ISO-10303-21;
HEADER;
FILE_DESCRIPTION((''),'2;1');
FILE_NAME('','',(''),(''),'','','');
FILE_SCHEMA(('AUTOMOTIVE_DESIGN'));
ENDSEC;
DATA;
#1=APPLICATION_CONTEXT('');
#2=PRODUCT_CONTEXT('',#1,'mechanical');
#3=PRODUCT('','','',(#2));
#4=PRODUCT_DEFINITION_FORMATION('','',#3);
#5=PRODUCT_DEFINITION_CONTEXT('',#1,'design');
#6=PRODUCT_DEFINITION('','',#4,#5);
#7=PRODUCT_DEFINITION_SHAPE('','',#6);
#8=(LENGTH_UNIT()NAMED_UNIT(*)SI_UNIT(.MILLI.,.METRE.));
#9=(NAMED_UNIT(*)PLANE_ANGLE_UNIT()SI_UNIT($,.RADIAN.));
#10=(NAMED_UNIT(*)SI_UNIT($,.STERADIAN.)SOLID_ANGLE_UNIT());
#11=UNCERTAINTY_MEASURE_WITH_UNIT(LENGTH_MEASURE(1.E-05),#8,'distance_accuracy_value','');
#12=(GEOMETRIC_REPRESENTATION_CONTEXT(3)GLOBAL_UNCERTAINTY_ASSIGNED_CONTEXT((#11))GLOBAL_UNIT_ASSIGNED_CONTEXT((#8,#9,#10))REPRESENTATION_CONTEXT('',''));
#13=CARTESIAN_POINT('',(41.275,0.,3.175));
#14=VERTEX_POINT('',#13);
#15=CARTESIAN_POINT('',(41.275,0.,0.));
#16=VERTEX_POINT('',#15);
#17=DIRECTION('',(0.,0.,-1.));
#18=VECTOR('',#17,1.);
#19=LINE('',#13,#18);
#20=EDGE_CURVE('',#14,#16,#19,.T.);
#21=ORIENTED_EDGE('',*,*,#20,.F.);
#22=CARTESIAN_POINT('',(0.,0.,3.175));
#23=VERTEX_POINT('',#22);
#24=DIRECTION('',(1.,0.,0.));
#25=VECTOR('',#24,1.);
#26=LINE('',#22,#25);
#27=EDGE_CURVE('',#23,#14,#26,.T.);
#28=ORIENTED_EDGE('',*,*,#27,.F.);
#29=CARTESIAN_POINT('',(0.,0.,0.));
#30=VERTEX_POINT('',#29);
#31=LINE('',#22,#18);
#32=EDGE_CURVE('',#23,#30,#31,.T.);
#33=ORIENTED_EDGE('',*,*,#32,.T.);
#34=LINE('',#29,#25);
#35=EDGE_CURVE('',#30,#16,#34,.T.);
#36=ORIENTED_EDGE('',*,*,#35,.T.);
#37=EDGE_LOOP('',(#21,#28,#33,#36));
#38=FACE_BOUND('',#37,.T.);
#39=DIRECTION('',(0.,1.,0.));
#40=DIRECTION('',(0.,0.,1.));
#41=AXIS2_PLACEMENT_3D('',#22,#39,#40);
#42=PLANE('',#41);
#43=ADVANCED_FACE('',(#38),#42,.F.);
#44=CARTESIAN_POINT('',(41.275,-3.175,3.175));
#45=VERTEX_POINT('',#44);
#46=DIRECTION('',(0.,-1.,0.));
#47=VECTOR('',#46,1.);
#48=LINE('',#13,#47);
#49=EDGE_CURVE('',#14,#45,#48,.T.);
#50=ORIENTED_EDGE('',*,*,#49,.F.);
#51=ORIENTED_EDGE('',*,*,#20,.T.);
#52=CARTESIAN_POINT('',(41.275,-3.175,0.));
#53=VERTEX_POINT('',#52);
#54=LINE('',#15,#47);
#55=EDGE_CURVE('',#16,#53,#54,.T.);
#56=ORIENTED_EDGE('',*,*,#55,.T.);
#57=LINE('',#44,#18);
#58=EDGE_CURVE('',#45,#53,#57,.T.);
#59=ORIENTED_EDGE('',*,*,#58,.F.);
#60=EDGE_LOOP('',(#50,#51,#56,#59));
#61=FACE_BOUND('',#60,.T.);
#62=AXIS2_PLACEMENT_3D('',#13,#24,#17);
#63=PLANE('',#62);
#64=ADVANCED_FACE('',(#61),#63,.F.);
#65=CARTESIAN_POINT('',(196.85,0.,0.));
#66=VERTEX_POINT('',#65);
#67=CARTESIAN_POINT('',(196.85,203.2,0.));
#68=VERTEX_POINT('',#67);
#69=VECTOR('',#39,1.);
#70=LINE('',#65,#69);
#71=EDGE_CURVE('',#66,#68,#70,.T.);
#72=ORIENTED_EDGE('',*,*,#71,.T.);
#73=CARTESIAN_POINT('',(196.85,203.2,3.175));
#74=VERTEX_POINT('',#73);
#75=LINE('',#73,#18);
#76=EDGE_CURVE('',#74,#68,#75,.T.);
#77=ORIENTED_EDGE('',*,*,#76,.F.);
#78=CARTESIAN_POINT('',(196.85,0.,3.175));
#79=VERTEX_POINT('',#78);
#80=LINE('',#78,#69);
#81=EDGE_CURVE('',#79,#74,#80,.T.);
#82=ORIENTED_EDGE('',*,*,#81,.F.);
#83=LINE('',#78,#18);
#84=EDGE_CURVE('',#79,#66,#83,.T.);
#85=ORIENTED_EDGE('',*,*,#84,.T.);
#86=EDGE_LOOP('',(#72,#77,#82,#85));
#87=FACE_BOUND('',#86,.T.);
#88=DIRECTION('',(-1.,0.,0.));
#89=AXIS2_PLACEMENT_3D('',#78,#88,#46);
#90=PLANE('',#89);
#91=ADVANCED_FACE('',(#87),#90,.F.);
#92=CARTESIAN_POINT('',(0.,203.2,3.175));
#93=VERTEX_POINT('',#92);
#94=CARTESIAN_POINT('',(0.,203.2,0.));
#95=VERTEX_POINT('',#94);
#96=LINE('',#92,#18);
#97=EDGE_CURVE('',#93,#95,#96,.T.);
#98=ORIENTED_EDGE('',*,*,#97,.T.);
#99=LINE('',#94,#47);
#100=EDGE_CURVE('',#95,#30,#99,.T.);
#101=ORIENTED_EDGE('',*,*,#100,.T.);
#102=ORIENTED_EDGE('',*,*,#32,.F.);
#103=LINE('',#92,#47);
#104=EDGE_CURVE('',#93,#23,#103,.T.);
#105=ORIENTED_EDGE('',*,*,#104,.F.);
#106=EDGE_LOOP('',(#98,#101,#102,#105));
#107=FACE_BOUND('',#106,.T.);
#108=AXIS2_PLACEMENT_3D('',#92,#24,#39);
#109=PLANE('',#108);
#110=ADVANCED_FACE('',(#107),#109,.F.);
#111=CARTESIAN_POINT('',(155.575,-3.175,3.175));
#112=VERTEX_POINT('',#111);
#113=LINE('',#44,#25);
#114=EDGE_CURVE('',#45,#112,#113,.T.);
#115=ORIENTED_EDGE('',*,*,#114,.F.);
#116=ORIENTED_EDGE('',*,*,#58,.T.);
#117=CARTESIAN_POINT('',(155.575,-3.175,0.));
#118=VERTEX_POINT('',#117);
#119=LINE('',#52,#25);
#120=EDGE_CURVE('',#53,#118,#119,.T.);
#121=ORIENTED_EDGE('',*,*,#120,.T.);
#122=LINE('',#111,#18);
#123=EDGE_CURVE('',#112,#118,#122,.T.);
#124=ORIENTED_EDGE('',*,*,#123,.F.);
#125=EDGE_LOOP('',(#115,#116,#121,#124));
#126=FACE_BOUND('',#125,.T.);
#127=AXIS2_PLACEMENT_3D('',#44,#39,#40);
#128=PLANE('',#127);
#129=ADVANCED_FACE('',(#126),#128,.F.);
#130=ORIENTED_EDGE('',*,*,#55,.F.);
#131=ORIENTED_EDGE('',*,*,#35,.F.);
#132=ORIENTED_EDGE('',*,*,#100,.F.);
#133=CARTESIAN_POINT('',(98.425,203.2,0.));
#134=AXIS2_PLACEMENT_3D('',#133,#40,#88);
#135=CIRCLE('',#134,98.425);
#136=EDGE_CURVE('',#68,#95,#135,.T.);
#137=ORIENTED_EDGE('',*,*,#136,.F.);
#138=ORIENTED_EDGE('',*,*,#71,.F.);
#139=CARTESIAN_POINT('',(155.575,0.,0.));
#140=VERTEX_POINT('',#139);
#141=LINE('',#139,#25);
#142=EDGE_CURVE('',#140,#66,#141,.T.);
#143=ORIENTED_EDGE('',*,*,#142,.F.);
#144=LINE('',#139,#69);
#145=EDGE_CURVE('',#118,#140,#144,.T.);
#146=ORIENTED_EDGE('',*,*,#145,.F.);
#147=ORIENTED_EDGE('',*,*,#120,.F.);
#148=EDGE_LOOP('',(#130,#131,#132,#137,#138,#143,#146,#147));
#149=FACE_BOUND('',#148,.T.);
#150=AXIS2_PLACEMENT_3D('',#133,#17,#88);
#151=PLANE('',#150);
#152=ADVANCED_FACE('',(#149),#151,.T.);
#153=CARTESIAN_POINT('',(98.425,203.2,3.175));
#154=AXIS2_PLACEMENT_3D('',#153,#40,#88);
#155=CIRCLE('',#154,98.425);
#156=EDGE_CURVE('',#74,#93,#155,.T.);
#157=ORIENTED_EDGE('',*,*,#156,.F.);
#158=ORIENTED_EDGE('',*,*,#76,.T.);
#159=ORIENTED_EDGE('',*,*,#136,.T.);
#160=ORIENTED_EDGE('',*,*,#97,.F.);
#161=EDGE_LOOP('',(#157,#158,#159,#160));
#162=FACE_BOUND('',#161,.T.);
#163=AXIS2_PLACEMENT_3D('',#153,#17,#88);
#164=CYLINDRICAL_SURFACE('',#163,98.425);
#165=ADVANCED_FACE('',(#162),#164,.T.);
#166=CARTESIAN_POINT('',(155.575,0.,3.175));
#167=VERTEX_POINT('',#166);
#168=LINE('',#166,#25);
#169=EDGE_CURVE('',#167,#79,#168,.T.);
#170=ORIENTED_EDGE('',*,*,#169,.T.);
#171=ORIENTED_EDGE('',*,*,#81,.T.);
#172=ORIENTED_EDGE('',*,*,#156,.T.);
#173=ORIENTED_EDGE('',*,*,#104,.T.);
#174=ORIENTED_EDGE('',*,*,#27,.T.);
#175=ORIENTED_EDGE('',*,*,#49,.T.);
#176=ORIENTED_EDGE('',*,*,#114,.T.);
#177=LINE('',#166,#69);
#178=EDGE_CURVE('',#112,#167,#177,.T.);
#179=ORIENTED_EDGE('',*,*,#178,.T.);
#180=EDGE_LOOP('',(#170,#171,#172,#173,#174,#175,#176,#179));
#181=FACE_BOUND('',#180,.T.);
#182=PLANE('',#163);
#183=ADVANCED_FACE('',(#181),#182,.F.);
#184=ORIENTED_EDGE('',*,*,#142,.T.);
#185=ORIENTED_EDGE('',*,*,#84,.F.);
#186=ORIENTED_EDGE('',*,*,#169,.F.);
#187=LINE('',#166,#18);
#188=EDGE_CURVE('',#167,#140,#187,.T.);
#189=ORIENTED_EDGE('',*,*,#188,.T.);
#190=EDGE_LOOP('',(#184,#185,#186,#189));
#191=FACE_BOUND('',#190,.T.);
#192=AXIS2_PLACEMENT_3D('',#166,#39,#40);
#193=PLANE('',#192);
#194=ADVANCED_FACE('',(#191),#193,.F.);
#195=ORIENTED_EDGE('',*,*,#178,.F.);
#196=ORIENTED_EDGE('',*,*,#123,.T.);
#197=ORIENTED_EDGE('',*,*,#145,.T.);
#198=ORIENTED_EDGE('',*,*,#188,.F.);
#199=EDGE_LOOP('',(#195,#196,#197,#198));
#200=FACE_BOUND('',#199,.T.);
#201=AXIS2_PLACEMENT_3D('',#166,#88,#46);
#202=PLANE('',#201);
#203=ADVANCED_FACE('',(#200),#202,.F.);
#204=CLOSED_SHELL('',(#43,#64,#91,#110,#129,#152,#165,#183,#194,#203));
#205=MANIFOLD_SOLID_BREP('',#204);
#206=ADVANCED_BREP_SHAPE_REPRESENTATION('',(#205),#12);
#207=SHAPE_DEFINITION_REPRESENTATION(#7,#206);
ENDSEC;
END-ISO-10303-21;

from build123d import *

# Parameters (mm, degrees)
BOSS_EXTRUDE1_DEPTH = 3.175


with BuildPart() as part:
    # Sketch2 → Boss-Extrude1 (new body)
    with BuildSketch(Plane.XY):
        with BuildLine():
            Line((0, 203.2), (0, 0))
            Line((0, 0), (41.275, 0))
            Line((41.275, 0), (41.275, -3.175))
            Line((41.275, -3.175), (155.575, -3.175))
            Line((155.575, -3.175), (155.575, 0))
            Line((155.575, 0), (196.85, 0))
            Line((196.85, 0), (196.85, 203.2))
            ThreePointArc((196.85, 203.2), (98.425, 301.625), (0, 203.2))
        make_face()
    extrude(amount=BOSS_EXTRUDE1_DEPTH)


solid = part.part
